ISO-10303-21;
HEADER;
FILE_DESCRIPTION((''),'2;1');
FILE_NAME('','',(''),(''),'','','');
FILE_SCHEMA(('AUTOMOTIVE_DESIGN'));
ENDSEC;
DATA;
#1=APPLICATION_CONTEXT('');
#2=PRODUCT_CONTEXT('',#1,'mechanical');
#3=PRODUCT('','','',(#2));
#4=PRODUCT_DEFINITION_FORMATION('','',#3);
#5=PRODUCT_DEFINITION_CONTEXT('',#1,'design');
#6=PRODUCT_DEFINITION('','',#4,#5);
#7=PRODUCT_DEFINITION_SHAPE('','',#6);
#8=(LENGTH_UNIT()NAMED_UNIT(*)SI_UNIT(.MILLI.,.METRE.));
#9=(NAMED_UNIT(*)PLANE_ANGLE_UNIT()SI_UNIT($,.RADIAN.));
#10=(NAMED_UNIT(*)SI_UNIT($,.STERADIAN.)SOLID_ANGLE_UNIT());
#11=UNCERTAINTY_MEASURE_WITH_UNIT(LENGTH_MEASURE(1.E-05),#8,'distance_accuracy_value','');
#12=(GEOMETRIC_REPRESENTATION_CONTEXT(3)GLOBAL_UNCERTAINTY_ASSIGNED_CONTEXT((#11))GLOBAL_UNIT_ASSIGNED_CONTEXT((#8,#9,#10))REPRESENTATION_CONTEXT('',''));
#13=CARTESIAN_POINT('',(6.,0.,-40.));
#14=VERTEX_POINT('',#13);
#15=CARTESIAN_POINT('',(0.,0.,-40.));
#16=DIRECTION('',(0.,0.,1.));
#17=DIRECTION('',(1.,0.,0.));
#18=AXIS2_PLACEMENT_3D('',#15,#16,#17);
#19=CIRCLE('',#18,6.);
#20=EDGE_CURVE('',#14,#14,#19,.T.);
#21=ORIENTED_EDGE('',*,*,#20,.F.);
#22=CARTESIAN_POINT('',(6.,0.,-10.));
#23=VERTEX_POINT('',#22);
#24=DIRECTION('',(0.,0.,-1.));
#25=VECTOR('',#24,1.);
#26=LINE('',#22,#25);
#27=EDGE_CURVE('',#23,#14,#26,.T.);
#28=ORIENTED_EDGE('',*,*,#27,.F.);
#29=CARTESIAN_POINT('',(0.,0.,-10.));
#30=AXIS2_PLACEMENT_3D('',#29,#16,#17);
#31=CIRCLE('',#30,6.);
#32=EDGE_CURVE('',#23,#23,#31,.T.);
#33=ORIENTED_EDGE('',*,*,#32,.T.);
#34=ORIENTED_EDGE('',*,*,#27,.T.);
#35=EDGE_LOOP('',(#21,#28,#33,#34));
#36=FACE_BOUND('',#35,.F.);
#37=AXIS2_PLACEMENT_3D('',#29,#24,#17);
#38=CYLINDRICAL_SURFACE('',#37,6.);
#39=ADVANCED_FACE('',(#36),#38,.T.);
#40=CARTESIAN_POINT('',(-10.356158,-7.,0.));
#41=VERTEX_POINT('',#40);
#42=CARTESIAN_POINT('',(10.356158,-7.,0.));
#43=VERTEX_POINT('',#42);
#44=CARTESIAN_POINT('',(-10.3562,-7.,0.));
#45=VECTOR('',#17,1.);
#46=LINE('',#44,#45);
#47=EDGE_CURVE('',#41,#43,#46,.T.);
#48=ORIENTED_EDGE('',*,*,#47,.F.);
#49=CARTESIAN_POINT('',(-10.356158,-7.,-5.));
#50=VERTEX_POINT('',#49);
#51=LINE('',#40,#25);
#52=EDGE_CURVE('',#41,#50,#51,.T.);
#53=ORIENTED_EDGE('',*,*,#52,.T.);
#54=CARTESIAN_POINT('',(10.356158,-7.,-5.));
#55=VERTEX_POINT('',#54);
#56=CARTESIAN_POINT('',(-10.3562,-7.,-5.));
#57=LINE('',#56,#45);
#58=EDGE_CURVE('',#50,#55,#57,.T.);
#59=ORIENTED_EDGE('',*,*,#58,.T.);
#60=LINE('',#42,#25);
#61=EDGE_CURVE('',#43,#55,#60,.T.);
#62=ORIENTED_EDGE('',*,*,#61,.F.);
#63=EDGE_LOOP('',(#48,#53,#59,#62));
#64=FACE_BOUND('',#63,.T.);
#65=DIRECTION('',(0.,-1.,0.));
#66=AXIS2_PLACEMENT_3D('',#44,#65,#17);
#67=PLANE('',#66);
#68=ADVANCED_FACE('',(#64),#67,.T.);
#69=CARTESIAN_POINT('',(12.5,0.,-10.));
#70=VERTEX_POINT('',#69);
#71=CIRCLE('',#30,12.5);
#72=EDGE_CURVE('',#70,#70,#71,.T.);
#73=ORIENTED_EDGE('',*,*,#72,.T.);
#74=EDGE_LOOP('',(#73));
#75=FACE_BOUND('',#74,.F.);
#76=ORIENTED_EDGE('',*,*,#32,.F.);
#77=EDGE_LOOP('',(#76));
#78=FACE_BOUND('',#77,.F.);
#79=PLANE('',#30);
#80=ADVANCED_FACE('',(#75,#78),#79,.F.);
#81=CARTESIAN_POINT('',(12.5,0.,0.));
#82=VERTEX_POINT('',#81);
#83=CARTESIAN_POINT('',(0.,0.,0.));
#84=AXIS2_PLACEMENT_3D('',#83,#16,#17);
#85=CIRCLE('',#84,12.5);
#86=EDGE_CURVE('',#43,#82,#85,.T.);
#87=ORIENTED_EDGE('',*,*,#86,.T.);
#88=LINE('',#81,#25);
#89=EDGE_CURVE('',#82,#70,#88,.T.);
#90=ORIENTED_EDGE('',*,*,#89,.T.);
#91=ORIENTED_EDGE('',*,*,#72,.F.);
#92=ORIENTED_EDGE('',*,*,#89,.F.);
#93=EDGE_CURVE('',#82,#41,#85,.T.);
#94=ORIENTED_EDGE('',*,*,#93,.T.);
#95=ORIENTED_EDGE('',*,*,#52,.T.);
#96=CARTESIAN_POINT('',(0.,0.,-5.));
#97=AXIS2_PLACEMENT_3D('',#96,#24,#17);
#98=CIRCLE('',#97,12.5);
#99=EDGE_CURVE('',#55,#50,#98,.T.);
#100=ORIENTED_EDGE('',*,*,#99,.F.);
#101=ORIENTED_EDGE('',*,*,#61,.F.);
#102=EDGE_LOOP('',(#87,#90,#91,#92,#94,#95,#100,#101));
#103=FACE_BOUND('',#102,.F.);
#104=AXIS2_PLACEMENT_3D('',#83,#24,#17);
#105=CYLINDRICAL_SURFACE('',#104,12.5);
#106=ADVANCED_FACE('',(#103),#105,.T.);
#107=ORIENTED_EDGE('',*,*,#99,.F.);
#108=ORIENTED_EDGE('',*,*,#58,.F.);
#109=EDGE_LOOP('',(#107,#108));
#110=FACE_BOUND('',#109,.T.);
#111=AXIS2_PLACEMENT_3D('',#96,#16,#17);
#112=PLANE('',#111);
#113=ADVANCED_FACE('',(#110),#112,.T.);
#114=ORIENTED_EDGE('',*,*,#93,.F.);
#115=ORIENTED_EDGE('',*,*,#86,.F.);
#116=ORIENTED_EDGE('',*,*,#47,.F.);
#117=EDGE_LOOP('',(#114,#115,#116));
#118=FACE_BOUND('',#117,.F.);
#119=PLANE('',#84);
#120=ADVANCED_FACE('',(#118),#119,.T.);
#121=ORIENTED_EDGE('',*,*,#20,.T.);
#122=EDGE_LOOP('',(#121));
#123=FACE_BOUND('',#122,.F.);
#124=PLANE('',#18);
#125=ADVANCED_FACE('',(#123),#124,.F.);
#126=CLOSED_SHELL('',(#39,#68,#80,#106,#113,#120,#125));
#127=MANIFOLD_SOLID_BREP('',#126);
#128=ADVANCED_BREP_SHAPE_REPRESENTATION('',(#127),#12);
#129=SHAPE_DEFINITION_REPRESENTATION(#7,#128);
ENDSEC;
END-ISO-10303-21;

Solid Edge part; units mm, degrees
sketch "Sketch1" plane through (0, 0, 0) normal (0, -1, 0) x (1, 0, 0)
  line L0 (0, 0) -> (12.5, 0)
  line L1 (12.5, 0) -> (12.5, -10)
  line L2 (12.5, -10) -> (6, -10)
  line L3 (6, -10) -> (6, -40)
  line L4 (6, -40) -> (0, -40)
  dimension "D1" = 40
  dimension "D2" = 10
revolve "RevolvedProtrusion1" add sketch "Sketch1" angle 360 about axis through (0, 0, -20) along (0, 0, 1)
sketch "Sketch2" plane through (0, 0, 0) normal (0, 0, 1) x (1, 0, 0)
  line L0 (-10.3562, -7) -> (10.3562, -7)
  dimension "D1" = 7
extrude "Cutout1" cut sketch "Sketch2" against normal blind 5 material side at (0, -7.05, 0)
